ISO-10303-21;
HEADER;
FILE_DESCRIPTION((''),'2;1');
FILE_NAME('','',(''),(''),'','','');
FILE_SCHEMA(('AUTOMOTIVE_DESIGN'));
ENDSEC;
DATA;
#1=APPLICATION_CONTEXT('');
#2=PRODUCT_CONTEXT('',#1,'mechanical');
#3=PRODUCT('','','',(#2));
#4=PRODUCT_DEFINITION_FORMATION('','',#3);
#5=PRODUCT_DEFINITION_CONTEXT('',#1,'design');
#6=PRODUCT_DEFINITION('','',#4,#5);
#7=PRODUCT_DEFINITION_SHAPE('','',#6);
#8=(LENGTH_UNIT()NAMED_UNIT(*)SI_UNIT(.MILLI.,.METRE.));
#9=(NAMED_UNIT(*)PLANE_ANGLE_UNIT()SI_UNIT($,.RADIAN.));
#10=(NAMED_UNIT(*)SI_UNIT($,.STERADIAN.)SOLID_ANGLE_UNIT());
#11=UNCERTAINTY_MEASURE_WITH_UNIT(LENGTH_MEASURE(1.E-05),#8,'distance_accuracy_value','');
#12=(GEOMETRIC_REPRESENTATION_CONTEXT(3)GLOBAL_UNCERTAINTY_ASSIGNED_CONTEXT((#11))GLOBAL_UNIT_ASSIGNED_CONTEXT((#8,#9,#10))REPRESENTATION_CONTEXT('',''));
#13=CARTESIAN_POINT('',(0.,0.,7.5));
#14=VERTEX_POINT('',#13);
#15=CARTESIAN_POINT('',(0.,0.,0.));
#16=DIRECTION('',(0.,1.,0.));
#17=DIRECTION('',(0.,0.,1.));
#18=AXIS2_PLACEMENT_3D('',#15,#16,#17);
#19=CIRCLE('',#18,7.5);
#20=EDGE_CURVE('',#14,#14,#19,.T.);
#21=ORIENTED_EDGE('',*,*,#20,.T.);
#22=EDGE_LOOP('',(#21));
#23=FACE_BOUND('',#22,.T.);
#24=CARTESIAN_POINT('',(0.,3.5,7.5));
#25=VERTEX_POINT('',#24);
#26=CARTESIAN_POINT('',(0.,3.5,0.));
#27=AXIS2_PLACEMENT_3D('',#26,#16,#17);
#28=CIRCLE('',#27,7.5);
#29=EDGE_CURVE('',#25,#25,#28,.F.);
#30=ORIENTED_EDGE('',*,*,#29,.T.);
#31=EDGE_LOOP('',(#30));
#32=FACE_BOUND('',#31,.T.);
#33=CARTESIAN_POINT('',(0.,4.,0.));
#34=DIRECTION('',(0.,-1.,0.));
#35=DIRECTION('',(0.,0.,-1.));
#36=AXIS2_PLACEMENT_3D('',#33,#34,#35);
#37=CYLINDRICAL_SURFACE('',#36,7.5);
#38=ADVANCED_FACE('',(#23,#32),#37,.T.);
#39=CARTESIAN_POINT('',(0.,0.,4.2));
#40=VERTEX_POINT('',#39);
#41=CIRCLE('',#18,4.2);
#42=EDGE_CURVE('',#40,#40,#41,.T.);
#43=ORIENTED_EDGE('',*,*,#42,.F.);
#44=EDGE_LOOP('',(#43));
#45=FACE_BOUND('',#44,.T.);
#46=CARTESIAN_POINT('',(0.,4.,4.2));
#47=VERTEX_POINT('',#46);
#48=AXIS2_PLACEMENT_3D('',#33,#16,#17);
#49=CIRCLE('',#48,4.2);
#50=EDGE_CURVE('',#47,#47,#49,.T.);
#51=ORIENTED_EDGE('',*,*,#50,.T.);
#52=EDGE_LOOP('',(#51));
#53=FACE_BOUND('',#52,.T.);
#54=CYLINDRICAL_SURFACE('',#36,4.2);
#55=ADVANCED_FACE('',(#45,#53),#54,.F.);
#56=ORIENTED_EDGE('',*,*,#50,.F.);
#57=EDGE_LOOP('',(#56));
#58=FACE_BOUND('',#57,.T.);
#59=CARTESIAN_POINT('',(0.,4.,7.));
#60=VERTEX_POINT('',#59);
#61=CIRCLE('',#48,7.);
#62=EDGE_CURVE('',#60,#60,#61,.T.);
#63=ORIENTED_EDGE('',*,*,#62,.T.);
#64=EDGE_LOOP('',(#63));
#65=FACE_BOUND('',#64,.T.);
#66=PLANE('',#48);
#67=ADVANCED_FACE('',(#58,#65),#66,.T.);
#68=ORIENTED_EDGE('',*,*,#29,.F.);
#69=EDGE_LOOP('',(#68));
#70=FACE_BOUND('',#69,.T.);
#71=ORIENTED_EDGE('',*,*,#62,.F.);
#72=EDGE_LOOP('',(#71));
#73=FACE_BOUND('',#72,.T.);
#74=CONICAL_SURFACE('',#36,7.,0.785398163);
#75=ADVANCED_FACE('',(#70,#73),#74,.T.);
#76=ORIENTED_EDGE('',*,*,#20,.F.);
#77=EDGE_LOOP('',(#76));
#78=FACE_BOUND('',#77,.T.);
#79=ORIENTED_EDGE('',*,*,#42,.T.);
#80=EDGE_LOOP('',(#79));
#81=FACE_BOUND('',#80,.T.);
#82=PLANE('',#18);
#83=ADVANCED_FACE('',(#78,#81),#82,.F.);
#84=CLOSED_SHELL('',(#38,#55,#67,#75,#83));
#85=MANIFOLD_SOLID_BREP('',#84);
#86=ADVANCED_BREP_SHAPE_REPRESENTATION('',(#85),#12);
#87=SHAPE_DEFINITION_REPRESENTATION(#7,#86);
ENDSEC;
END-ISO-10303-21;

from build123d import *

# Parameters (mm, degrees)
SKETCH1_R           = 7.5
SKETCH1_R_2         = 4.2
BOSS_EXTRUDE1_DEPTH = 4
CHAMFER1_SIZE       = 0.5


with BuildPart() as part:
    # Sketch1 → Boss-Extrude1 (new body)
    with BuildSketch(Plane(origin=(0, 0, 0), x_dir=(1, 0, 0), z_dir=(0, 1, 0))):
        Circle(SKETCH1_R)
        Circle(SKETCH1_R_2, mode=Mode.SUBTRACT)
    extrude(amount=BOSS_EXTRUDE1_DEPTH)

    # Chamfer1
    chamfer1_edges = [part.edges().sort_by_distance(p)[0] for p in [
        (-7.5, 4, 0),
    ]]
    chamfer(chamfer1_edges, length=CHAMFER1_SIZE)


solid = part.part
